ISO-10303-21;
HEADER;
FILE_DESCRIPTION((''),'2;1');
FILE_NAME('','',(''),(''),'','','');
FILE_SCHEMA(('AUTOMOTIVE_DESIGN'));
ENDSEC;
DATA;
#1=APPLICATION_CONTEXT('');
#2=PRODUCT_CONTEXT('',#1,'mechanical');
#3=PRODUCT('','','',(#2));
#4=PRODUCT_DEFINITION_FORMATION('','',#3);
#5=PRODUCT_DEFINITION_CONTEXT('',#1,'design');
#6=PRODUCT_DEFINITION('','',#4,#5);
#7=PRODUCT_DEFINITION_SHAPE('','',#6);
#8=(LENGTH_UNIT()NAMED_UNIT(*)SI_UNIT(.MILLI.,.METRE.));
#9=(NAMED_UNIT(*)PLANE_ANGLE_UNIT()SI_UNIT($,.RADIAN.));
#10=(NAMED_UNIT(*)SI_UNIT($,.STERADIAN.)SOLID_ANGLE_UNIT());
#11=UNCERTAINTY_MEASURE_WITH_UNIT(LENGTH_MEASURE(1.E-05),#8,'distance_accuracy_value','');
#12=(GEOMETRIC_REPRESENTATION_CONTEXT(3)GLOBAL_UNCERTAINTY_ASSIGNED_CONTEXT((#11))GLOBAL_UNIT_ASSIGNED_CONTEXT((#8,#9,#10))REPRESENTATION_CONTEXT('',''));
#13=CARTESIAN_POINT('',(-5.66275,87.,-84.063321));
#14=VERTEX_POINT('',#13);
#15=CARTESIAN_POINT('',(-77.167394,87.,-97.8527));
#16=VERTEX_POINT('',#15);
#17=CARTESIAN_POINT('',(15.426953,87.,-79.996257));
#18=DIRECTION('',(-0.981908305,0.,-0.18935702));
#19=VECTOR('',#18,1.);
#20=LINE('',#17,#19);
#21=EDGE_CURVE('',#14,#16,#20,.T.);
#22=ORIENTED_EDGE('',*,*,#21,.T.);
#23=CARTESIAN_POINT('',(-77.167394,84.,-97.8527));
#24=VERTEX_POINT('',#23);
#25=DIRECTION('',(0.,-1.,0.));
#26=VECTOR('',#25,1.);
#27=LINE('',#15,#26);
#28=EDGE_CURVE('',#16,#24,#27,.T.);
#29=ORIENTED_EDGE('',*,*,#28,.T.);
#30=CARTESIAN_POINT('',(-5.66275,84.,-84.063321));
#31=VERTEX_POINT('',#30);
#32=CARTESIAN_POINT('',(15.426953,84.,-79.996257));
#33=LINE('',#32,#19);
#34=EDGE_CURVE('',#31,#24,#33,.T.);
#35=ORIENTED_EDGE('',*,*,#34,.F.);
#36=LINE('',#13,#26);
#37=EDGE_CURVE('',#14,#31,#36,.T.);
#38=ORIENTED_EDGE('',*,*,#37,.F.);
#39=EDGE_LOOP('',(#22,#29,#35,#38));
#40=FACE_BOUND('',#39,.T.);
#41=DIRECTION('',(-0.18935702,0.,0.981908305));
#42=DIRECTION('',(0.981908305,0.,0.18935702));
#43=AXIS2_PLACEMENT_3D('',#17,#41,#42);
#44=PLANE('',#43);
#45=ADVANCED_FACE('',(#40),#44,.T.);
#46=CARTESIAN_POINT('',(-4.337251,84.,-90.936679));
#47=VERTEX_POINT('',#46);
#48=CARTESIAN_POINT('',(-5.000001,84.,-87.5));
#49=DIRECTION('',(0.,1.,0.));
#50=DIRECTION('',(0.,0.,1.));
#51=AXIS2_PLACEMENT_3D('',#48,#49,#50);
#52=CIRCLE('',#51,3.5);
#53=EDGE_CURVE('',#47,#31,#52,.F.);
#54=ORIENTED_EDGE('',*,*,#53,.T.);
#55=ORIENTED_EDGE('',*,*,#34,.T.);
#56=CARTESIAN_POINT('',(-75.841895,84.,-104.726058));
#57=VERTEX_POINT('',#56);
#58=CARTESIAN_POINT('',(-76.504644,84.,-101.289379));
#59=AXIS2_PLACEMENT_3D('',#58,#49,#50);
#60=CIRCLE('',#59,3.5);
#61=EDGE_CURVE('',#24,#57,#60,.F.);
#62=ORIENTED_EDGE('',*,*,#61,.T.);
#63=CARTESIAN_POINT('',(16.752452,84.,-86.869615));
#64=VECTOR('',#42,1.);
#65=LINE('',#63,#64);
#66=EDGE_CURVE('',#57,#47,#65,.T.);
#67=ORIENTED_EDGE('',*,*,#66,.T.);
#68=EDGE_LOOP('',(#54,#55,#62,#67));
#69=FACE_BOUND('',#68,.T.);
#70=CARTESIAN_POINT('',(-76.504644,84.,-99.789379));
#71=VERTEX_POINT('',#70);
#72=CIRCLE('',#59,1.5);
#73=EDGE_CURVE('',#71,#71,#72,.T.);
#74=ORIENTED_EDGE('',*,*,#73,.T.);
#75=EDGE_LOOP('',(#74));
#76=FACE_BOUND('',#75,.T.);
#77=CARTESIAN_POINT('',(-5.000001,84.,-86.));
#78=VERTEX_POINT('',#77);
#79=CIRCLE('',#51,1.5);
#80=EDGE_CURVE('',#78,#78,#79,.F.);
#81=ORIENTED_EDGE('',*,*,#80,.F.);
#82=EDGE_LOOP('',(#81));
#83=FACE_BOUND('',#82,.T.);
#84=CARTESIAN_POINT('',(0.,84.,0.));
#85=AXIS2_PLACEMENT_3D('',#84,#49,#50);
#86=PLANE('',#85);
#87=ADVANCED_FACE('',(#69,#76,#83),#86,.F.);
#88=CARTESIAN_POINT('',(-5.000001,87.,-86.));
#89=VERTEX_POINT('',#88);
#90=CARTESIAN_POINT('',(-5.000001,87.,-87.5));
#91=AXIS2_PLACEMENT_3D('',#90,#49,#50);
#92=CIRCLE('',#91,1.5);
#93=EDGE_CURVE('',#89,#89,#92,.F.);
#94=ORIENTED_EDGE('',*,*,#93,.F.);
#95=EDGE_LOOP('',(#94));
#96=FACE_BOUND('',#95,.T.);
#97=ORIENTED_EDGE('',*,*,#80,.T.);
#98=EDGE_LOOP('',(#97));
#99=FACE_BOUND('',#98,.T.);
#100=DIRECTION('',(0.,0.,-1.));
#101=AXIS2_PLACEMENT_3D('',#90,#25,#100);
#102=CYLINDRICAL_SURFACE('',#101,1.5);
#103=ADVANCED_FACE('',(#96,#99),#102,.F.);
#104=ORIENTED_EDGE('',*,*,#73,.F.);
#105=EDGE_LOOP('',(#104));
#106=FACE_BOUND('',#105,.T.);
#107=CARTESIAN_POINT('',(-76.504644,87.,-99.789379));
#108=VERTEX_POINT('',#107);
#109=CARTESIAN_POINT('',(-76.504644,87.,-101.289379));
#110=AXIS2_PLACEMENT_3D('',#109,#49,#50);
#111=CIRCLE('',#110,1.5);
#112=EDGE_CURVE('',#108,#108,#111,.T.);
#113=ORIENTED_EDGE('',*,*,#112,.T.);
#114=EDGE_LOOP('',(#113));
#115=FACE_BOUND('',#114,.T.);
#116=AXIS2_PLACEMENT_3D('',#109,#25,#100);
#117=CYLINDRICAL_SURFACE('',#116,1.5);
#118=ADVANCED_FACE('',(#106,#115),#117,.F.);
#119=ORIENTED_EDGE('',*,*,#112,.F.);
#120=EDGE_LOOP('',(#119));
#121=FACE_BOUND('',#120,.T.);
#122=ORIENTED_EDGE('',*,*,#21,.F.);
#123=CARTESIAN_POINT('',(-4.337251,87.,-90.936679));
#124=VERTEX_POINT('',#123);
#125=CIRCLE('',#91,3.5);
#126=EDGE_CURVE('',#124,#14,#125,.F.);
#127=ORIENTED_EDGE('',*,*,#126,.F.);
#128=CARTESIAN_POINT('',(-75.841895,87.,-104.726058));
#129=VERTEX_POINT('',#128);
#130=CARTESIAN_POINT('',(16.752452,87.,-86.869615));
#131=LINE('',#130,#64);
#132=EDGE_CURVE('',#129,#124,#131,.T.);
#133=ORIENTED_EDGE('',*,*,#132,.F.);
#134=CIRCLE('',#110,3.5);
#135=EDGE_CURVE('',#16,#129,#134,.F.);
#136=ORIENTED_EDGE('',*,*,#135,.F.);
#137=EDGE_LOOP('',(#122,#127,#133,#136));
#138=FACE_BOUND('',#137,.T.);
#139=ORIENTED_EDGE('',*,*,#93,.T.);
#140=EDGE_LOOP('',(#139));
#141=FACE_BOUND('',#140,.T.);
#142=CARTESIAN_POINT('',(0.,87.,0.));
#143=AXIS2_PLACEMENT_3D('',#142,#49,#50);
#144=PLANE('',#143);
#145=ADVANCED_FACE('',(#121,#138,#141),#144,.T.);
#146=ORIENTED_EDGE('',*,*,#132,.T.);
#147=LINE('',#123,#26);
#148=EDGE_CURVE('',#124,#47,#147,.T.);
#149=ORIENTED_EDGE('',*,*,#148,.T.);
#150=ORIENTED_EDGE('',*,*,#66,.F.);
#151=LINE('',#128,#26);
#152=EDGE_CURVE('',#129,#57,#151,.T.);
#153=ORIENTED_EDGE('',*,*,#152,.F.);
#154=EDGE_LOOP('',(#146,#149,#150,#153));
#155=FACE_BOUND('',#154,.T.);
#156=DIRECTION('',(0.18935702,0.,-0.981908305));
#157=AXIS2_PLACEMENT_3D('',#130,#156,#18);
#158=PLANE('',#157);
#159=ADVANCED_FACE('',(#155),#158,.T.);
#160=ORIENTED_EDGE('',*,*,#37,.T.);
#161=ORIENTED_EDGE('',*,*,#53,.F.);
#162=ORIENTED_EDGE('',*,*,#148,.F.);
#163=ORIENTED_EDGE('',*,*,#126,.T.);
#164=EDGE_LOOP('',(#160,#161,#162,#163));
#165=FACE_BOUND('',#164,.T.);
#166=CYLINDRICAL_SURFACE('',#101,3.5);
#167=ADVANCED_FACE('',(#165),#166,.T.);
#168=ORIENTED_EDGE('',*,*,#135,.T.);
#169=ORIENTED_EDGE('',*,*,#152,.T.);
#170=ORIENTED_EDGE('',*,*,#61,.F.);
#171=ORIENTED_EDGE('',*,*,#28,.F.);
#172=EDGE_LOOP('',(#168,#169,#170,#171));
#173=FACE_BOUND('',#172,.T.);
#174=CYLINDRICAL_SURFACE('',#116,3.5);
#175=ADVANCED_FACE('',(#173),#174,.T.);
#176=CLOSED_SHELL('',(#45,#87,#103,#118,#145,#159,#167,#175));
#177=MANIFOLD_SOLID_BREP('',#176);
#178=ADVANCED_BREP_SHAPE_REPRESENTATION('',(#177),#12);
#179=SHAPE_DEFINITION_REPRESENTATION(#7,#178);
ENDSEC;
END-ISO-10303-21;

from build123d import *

# Parameters (mm, degrees)
SKETCH2_R           = 1.5
BOSS_EXTRUDE2_DEPTH = 3


with BuildPart() as part:
    # Sketch2 → Boss-Extrude2 (new body)
    # profile 1 of 2: a face of its own
    with BuildSketch(Plane(origin=(0, 84, 0), x_dir=(1, 0, 0), z_dir=(0, 1, 0))):
        with BuildLine():
            ThreePointArc((-6.349779829, 90.729255992), (-8.48155795, 87.141170391), (-5.66275018, 84.063320655))
            ThreePointArc((-5.66275018, 84.063320655), (-4.641171279, 84.018442382), (-3.65022139, 84.270743452))
            ThreePointArc((-3.65022139, 84.270743452), (-1.51844327, 87.858829053), (-4.33725104, 90.936678789))
            Line((-4.33725104, 90.936678789), (-5.374827195, 91.136771127))
            Line((-5.374827195, 91.136771127), (-6.349779829, 90.729255992))
        make_face()
        with Locations(Location((-5.00000061, 87.499999722, 0), (0, 0, 270))):
            Circle(SKETCH2_R, mode=Mode.SUBTRACT)
    # profile 2 of 2: a face of its own
    with BuildSketch(Plane(origin=(0, 84, 0), x_dir=(1, 0, 0), z_dir=(0, 1, 0))):
        with BuildLine():
            Line((-77.167393969, 97.852700174), (-5.66275018, 84.063320655))
            ThreePointArc((-5.66275018, 84.063320655), (-8.48155795, 87.141170391), (-6.349779829, 90.729255992))
            Line((-6.349779829, 90.729255992), (-5.374827195, 91.136771127))
            Line((-5.374827195, 91.136771127), (-75.841894829, 104.726058307))
            ThreePointArc((-75.841894829, 104.726058307), (-79.941323466, 101.952128811), (-77.167393969, 97.852700174))
        make_face()
        with Locations(Location((-76.504644399, 101.28937924, 0), (0, 0, 270))):
            Circle(SKETCH2_R, mode=Mode.SUBTRACT)
    extrude(amount=BOSS_EXTRUDE2_DEPTH)


solid = part.part
